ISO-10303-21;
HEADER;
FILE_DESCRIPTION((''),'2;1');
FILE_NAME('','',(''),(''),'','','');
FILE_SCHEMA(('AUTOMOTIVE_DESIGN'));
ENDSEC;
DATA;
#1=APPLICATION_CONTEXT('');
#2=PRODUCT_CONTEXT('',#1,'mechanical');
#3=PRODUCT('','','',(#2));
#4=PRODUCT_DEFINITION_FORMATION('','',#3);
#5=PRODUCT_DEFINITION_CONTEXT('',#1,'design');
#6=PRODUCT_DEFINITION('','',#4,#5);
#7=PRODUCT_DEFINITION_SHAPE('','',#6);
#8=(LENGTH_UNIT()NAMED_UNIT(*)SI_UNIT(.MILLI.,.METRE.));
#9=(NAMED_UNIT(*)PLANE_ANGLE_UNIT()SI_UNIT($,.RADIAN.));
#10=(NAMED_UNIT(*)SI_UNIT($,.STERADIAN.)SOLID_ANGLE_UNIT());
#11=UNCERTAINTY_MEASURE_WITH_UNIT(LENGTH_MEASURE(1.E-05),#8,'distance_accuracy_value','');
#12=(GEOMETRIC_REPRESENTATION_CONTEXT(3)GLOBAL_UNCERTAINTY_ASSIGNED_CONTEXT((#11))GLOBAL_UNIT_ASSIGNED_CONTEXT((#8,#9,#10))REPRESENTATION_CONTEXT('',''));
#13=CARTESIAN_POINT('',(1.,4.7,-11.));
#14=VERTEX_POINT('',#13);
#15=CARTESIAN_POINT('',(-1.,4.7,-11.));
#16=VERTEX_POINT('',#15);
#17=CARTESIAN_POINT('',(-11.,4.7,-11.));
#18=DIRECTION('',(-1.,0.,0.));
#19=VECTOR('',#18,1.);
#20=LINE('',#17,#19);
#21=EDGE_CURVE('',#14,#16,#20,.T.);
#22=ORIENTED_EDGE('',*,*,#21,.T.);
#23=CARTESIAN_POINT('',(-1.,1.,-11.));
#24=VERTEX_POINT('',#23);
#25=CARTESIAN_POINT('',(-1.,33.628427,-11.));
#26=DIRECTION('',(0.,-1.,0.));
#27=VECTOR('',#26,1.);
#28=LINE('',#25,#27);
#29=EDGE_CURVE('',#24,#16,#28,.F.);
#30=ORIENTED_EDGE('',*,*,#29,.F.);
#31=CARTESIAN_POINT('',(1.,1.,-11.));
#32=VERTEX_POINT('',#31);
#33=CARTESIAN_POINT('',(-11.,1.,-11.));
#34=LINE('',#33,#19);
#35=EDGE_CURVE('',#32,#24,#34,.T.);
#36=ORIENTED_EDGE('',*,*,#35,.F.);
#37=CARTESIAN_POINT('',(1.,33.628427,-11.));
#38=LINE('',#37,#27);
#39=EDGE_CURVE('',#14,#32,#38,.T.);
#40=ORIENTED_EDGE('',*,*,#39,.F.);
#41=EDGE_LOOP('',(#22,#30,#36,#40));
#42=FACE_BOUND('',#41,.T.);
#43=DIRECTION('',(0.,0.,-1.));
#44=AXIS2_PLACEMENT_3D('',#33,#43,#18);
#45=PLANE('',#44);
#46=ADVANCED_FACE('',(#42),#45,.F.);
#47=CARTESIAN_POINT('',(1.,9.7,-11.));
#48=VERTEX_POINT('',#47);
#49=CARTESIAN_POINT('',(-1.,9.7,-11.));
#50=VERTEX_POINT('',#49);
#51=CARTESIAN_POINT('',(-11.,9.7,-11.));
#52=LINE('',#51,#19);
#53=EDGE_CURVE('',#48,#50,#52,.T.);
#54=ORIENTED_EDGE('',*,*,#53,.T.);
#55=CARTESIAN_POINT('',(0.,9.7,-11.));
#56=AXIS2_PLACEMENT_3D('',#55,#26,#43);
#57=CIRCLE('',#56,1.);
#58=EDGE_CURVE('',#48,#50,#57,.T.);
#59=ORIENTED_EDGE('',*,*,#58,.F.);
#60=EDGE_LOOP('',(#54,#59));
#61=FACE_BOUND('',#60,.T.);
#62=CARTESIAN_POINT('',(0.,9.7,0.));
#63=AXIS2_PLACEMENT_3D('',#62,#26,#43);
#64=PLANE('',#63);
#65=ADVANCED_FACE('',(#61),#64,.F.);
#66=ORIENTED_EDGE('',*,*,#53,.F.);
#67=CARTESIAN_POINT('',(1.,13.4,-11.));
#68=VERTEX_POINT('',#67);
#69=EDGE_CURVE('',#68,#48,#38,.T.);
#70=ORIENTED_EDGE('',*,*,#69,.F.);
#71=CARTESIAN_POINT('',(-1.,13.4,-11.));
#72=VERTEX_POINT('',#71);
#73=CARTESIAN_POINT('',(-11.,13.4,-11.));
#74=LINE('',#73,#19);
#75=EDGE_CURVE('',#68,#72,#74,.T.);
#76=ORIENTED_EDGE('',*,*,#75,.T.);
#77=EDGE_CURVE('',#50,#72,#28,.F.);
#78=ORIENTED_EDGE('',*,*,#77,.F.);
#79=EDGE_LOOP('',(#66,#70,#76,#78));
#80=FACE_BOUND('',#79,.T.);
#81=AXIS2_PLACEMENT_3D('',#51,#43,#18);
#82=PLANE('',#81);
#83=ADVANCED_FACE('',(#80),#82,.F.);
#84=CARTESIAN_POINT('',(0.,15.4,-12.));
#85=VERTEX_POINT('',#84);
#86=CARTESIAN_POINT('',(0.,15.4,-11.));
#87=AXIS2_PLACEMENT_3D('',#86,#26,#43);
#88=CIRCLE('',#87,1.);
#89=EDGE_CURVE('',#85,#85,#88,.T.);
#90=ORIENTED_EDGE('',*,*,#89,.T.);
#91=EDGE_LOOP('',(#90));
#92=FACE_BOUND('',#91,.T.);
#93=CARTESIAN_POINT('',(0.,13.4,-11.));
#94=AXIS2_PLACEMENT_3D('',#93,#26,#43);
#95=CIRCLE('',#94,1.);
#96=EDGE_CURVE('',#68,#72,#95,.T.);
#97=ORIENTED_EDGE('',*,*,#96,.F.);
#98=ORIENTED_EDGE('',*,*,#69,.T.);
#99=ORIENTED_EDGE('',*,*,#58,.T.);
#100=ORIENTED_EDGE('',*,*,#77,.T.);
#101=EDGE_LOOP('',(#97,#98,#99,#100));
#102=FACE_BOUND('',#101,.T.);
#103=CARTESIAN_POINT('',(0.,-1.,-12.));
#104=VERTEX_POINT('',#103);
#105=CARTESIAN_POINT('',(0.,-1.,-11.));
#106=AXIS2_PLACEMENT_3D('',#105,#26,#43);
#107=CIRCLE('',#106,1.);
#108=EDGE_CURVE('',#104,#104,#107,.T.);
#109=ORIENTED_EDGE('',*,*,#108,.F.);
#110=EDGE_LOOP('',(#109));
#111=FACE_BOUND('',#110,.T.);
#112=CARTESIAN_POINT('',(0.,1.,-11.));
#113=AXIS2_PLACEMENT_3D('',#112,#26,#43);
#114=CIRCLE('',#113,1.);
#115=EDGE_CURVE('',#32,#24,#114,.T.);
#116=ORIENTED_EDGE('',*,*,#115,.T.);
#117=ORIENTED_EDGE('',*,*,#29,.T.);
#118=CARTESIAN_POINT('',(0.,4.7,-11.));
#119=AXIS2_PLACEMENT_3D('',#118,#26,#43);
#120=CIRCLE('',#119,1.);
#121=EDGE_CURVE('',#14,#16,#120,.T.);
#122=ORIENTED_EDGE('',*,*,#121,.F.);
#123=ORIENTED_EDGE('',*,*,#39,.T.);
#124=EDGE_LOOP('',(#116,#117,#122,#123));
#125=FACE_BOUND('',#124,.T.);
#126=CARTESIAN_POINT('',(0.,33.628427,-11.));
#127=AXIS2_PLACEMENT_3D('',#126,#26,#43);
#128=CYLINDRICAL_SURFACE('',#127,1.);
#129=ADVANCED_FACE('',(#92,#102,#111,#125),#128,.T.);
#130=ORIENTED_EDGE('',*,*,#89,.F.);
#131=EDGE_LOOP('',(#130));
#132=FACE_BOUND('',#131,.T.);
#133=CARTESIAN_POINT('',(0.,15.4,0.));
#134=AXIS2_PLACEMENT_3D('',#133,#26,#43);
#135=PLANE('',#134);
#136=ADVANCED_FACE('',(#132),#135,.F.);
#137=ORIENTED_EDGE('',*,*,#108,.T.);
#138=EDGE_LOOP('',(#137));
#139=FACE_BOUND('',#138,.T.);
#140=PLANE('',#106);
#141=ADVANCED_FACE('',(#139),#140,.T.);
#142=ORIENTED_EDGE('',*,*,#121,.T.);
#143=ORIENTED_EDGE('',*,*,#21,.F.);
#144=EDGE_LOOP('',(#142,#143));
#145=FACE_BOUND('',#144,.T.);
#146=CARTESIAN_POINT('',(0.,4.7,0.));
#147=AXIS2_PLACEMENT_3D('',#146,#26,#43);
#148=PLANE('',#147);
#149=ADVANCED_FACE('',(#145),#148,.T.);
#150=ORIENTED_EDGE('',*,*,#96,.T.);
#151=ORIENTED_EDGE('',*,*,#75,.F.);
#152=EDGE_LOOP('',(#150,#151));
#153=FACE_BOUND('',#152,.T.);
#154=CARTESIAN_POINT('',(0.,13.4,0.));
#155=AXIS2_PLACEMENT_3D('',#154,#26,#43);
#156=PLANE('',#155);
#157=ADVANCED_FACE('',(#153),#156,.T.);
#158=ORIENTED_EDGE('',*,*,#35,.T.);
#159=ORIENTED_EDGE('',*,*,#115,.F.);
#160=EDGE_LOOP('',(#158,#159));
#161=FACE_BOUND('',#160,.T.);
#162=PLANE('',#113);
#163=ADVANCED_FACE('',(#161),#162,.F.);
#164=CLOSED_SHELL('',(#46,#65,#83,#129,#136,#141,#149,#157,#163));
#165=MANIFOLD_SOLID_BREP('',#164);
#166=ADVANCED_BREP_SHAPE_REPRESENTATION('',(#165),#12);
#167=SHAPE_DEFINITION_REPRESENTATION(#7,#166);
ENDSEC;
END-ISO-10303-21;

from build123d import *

# Parameters (mm, degrees)
SKETCH1_R           = 13
BOSS_EXTRUDE1_DEPTH = 1
SKETCH16_R          = 13
BOSS_EXTRUDE3_DEPTH = 1
SKETCH19_R          = 1
BOSS_EXTRUDE4_DEPTH = 29.8
SKETCH18_W          = 22
SKETCH18_H          = 22
CUT_EXTRUDE6_DEPTH  = 3.7
SKETCH21_W          = 22
SKETCH21_H          = 22
CUT_EXTRUDE7_DEPTH  = 3.7
SKETCH22_R          = 11
CUT_EXTRUDE8_DEPTH  = 3.7
SKETCH23_R          = 11
CUT_EXTRUDE9_DEPTH  = 3.7
SKETCH24_R          = 19.921792127
CUT_EXTRUDE10_DEPTH = 1
SKETCH25_R          = 36.182885583
CUT_EXTRUDE11_DEPTH = 1
BOSS_EXTRUDE5_START = 2
BOSS_EXTRUDE5_DEPTH = 2
SKETCH27_R          = 1
BOSS_EXTRUDE6_DEPTH = 2
SKETCH28_R          = 9.676669919
CUT_EXTRUDE12_DEPTH = 17.4


with BuildPart() as part:
    # Sketch1 → Boss-Extrude1 (new body)
    with BuildSketch(Plane(origin=(0, 0, 0), x_dir=(1, 0, 0), z_dir=(0, 1, 0))):
        with Locations(Location((0, 0, 0), (0, 0, 270))):
            Circle(SKETCH1_R)
    extrude(amount=BOSS_EXTRUDE1_DEPTH)



with BuildPart() as body_2:
    # Sketch16 → Boss-Extrude3 (new body)
    with BuildSketch(Plane(origin=(0, 30.8, 0), x_dir=(1, 0, 0), z_dir=(0, 1, 0))):
        with Locations(Location((0, 0, 0), (0, 0, 270))):
            Circle(SKETCH16_R)
    extrude(amount=BOSS_EXTRUDE3_DEPTH)


with BuildPart() as part_1:
    add(part.part)

    add(body_2.part)  # Boss-Extrude4 merges body 2
    # Sketch19 → Boss-Extrude4 (add)
    with BuildSketch(Plane(origin=(0, 1, 0), x_dir=(1, 0, 0), z_dir=(0, 1, 0))):
        with Locations(Location((0, 11, 0), (0, 0, 270))):
            Circle(SKETCH19_R)
    extrude(amount=BOSS_EXTRUDE4_DEPTH)

    # Sketch18 → Cut-Extrude6 (cut)
    with BuildSketch(Plane(origin=(0, 4.7, 0), x_dir=(1, 0, 0), z_dir=(0, 1, 0))):
        Rectangle(SKETCH18_W, SKETCH18_H)
    extrude(amount=-CUT_EXTRUDE6_DEPTH, mode=Mode.SUBTRACT)

    # Sketch21 → Cut-Extrude7 (cut)
    with BuildSketch(Plane(origin=(0, 13.4, 0), x_dir=(1, 0, 0), z_dir=(0, 1, 0))):
        Rectangle(SKETCH21_W, SKETCH21_H)
    extrude(amount=-CUT_EXTRUDE7_DEPTH, mode=Mode.SUBTRACT)

    # Sketch22 → Cut-Extrude8 (cut)
    with BuildSketch(Plane(origin=(0, 22.1, 0), x_dir=(1, 0, 0), z_dir=(0, 1, 0))):
        Circle(SKETCH22_R)
    extrude(amount=-CUT_EXTRUDE8_DEPTH, mode=Mode.SUBTRACT)

    # Sketch23 → Cut-Extrude9 (cut)
    with BuildSketch(Plane(origin=(0, 30.8, 0), x_dir=(1, 0, 0), z_dir=(0, 1, 0))):
        Circle(SKETCH23_R)
    extrude(amount=-CUT_EXTRUDE9_DEPTH, mode=Mode.SUBTRACT)

    # Sketch24 → Cut-Extrude10 (cut)
    with BuildSketch(Plane(origin=(0, 31.8, 0), x_dir=(1, 0, 0), z_dir=(0, 1, 0))):
        Circle(SKETCH24_R)
    extrude(amount=-CUT_EXTRUDE10_DEPTH, mode=Mode.SUBTRACT)

    # Sketch25 → Cut-Extrude11 (cut)
    with BuildSketch(Plane(origin=(0, 1, 0), x_dir=(1, 0, 0), z_dir=(0, 1, 0))):
        Circle(SKETCH25_R)
    extrude(amount=-CUT_EXTRUDE11_DEPTH, mode=Mode.SUBTRACT)

    # Sketch26 → Boss-Extrude5 (add)
    with BuildSketch(Plane(origin=(0, 30.8, 0), x_dir=(1, 0, 0), z_dir=(0, 1, 0)).offset(BOSS_EXTRUDE5_START)):
        with BuildLine():
            ThreePointArc((-0.998966408, 10.954545455), (0, 11), (0.998966408, 10.954545455))
            ThreePointArc((0.998966408, 10.954545455), (0, 12), (-0.998966408, 10.954545455))
        make_face()
        with BuildLine():
            ThreePointArc((0.998966408, 10.954545455), (0.999741569, 10.977266852), (1, 11))
            ThreePointArc((1, 11), (-0.022733148, 11.999741569), (-0.998966408, 10.954545455))
            ThreePointArc((-0.998966408, 10.954545455), (0, 11), (0.998966408, 10.954545455))
        make_face()
        with BuildLine():
            ThreePointArc((0.998966408, 10.954545455), (0, 11), (-0.998966408, 10.954545455))
            ThreePointArc((-0.998966408, 10.954545455), (0, 10), (0.998966408, 10.954545455))
        make_face()
    extrude(amount=-BOSS_EXTRUDE5_DEPTH)

    # Sketch27 → Boss-Extrude6 (add)
    with BuildSketch(Plane.XZ.offset(-1)):
        with Locations(Location((0, -11, 0), (0, 0, 270))):
            Circle(SKETCH27_R)
    extrude(amount=BOSS_EXTRUDE6_DEPTH)

    # Sketch28 → Cut-Extrude12 (cut)
    with BuildSketch(Plane(origin=(0, 32.8, 0), x_dir=(1, 0, 0), z_dir=(0, 1, 0))):
        with Locations((0, 11)):
            Circle(SKETCH28_R)
    extrude(amount=-CUT_EXTRUDE12_DEPTH, mode=Mode.SUBTRACT)


solid = part_1.part
